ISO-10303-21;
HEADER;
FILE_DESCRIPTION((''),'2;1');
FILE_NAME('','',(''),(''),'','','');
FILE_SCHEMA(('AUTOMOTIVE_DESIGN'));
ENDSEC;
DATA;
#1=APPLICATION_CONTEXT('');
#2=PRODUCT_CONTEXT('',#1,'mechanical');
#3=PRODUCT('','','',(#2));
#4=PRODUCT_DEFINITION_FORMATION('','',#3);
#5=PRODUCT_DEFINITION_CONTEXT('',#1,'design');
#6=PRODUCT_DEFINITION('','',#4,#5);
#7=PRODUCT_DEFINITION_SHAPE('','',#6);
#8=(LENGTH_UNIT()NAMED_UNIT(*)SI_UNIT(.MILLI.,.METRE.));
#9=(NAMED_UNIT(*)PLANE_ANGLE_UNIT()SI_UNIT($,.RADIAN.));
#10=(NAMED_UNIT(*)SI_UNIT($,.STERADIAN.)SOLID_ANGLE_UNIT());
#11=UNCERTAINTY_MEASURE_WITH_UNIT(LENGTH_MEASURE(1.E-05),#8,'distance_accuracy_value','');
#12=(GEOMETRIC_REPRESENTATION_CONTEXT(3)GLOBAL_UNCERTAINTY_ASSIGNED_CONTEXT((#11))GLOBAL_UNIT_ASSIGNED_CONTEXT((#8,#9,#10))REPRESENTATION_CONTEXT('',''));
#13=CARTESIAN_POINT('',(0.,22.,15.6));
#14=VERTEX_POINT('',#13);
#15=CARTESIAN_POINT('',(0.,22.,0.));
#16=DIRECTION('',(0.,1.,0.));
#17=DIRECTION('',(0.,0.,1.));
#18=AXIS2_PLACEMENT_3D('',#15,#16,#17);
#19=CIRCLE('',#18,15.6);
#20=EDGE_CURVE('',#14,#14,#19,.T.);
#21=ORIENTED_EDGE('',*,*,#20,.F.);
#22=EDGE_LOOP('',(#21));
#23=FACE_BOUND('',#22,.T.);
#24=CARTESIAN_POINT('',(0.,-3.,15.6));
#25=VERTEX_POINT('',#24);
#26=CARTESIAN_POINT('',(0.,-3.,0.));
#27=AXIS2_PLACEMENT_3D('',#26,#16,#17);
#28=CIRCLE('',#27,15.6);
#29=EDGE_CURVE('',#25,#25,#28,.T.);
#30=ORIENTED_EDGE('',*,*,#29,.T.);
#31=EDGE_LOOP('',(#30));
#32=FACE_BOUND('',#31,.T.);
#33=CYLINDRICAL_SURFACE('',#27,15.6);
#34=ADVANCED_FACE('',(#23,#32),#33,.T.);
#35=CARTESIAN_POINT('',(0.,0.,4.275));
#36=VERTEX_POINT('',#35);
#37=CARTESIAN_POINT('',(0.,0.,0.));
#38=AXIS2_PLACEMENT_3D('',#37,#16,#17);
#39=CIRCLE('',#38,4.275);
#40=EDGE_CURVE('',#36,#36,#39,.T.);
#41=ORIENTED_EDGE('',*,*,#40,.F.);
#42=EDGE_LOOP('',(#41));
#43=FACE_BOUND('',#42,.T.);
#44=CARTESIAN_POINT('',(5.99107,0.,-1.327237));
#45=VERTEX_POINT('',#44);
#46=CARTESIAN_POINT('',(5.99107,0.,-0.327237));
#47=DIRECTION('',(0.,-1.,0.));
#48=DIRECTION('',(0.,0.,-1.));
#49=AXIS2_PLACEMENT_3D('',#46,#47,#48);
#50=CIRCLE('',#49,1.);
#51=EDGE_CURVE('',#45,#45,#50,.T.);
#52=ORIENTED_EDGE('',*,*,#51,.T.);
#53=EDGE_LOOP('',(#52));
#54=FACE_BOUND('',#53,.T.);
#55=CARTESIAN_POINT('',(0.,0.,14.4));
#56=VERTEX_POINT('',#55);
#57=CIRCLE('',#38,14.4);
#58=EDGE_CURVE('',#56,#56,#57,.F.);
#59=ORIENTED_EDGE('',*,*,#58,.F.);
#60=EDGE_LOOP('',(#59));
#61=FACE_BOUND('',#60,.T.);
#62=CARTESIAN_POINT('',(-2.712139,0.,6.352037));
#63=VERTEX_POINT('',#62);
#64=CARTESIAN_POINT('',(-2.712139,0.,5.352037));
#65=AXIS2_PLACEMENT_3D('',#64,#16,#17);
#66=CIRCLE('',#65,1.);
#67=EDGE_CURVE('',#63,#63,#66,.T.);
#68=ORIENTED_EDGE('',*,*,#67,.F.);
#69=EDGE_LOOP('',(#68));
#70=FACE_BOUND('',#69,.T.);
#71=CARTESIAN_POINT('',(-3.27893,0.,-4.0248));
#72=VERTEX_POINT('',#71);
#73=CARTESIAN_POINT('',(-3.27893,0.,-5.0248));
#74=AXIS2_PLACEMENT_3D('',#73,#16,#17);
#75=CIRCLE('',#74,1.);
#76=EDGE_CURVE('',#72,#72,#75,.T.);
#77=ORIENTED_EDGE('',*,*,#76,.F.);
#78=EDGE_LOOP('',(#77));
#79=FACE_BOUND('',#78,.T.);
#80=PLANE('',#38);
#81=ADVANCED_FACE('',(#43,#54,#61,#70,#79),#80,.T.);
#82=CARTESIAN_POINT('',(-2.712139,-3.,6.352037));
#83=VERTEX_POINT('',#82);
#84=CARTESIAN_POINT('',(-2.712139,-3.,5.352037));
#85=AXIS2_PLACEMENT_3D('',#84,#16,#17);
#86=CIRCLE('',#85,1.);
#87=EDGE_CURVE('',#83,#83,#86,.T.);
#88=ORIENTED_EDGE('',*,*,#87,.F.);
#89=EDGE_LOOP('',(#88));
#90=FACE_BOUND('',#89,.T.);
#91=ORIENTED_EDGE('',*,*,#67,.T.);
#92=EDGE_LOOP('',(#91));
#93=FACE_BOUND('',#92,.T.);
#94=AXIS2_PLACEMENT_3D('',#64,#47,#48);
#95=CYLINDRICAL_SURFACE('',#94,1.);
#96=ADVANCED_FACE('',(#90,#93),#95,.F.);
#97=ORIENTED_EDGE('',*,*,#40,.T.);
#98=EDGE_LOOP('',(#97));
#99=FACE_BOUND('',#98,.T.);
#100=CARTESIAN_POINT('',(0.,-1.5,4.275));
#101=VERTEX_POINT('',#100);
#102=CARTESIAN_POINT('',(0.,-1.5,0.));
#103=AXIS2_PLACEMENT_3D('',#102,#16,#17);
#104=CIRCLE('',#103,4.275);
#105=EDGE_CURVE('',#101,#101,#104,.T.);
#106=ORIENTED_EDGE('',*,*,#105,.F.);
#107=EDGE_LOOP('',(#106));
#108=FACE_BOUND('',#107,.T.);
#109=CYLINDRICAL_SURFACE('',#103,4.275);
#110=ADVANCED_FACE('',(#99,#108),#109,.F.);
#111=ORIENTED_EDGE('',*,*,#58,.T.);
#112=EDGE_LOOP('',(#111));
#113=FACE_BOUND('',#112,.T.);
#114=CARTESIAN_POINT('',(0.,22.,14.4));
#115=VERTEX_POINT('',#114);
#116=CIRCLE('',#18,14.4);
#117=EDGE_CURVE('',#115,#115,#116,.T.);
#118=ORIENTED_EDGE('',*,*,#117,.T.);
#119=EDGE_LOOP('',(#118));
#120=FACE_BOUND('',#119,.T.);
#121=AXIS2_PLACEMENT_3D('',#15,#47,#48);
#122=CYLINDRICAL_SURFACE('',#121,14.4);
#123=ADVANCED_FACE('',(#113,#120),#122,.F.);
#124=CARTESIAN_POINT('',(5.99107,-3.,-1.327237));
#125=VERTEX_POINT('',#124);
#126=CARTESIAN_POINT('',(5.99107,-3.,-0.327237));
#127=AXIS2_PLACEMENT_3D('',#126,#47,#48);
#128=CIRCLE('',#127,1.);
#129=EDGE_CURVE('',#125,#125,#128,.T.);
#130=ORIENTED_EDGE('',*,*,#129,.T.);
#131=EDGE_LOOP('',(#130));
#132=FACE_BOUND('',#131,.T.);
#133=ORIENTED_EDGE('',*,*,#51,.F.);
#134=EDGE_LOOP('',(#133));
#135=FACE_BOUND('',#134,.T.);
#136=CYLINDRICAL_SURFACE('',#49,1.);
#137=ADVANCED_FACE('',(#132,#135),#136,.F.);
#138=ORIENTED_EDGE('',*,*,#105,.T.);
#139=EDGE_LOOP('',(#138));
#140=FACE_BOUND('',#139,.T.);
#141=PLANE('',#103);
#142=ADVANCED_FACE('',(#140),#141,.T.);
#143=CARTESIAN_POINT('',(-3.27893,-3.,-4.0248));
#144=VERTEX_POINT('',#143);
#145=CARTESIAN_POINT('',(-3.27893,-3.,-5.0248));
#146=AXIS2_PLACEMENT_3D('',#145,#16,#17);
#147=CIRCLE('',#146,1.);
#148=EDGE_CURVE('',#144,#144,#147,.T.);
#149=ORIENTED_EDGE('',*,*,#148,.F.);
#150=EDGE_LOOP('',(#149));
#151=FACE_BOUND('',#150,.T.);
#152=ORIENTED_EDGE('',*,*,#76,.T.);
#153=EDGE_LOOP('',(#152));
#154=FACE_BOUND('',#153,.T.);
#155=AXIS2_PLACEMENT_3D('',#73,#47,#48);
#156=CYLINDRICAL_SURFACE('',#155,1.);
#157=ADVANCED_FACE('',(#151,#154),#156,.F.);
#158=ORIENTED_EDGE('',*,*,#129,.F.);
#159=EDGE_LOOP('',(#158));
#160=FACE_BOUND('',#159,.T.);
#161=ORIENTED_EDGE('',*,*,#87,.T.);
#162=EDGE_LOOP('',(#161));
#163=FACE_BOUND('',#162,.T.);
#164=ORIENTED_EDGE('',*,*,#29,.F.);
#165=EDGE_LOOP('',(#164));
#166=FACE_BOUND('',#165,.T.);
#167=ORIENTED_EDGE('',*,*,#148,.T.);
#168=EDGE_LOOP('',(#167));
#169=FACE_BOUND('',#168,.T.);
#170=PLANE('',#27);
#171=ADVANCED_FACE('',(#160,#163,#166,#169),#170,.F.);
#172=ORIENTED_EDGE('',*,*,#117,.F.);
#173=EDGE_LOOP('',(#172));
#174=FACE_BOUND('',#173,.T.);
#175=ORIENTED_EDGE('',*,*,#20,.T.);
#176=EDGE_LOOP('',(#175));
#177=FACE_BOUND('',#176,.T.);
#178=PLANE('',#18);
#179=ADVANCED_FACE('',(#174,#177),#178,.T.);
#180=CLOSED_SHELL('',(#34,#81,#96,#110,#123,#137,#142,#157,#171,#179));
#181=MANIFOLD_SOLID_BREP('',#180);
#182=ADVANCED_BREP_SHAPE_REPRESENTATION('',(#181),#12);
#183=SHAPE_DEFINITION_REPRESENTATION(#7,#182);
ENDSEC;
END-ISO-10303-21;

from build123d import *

# Parameters (mm, degrees)
SKETCH1_R           = 15.6
BOSS_EXTRUDE1_DEPTH = 3
SKETCH2_R           = 4.275
CUT_EXTRUDE1_DEPTH  = 1.5
BOSS_EXTRUDE2_START = 22
SKETCH3_R           = 15.6
SKETCH3_R_2         = 14.4
BOSS_EXTRUDE2_DEPTH = 22
SKETCH4_R           = 1
CUT_EXTRUDE3_DEPTH  = 3


with BuildPart() as part:
    # Sketch1 → Boss-Extrude1 (new body)
    with BuildSketch(Plane(origin=(0, 0, 0), x_dir=(1, 0, 0), z_dir=(0, 1, 0))):
        with Locations(Location((0, 0, 0), (0, 0, 270))):
            Circle(SKETCH1_R)
    extrude(amount=-BOSS_EXTRUDE1_DEPTH)

    # Sketch2 → Cut-Extrude1 (cut)
    with BuildSketch(Plane(origin=(0, 0, 0), x_dir=(1, 0, 0), z_dir=(0, 1, 0))):
        with Locations(Location((0, 0, 0), (0, 0, 270))):
            Circle(SKETCH2_R)
    extrude(amount=-CUT_EXTRUDE1_DEPTH, mode=Mode.SUBTRACT)

    # Sketch3 → Boss-Extrude2 (add)
    with BuildSketch(Plane(origin=(0, 0, 0), x_dir=(1, 0, 0), z_dir=(0, 1, 0)).offset(BOSS_EXTRUDE2_START)):
        with Locations(Location((0, 0, 0), (0, 0, 270))):
            Circle(SKETCH3_R)
        with Locations(Location((0, 0, 0), (0, 0, 270))):
            Circle(SKETCH3_R_2, mode=Mode.SUBTRACT)
    extrude(amount=-BOSS_EXTRUDE2_DEPTH)

    # Sketch4 → Cut-Extrude3 (cut)
    with BuildSketch(Plane(origin=(0, -3, 0), x_dir=(-1, 0, 0), z_dir=(0, -1, 0))):
        with Locations(Location((-5.991069688, 0.327236899, 0), (0, 0, 90))):
            Circle(SKETCH4_R)
        with Locations(Location((3.278930312, 5.024800097, 0), (0, 0, 270))):
            Circle(SKETCH4_R)
        with Locations(Location((2.712139377, -5.352036995, 0), (0, 0, 270))):
            Circle(SKETCH4_R)
    extrude(amount=-CUT_EXTRUDE3_DEPTH, mode=Mode.SUBTRACT)


solid = part.part
